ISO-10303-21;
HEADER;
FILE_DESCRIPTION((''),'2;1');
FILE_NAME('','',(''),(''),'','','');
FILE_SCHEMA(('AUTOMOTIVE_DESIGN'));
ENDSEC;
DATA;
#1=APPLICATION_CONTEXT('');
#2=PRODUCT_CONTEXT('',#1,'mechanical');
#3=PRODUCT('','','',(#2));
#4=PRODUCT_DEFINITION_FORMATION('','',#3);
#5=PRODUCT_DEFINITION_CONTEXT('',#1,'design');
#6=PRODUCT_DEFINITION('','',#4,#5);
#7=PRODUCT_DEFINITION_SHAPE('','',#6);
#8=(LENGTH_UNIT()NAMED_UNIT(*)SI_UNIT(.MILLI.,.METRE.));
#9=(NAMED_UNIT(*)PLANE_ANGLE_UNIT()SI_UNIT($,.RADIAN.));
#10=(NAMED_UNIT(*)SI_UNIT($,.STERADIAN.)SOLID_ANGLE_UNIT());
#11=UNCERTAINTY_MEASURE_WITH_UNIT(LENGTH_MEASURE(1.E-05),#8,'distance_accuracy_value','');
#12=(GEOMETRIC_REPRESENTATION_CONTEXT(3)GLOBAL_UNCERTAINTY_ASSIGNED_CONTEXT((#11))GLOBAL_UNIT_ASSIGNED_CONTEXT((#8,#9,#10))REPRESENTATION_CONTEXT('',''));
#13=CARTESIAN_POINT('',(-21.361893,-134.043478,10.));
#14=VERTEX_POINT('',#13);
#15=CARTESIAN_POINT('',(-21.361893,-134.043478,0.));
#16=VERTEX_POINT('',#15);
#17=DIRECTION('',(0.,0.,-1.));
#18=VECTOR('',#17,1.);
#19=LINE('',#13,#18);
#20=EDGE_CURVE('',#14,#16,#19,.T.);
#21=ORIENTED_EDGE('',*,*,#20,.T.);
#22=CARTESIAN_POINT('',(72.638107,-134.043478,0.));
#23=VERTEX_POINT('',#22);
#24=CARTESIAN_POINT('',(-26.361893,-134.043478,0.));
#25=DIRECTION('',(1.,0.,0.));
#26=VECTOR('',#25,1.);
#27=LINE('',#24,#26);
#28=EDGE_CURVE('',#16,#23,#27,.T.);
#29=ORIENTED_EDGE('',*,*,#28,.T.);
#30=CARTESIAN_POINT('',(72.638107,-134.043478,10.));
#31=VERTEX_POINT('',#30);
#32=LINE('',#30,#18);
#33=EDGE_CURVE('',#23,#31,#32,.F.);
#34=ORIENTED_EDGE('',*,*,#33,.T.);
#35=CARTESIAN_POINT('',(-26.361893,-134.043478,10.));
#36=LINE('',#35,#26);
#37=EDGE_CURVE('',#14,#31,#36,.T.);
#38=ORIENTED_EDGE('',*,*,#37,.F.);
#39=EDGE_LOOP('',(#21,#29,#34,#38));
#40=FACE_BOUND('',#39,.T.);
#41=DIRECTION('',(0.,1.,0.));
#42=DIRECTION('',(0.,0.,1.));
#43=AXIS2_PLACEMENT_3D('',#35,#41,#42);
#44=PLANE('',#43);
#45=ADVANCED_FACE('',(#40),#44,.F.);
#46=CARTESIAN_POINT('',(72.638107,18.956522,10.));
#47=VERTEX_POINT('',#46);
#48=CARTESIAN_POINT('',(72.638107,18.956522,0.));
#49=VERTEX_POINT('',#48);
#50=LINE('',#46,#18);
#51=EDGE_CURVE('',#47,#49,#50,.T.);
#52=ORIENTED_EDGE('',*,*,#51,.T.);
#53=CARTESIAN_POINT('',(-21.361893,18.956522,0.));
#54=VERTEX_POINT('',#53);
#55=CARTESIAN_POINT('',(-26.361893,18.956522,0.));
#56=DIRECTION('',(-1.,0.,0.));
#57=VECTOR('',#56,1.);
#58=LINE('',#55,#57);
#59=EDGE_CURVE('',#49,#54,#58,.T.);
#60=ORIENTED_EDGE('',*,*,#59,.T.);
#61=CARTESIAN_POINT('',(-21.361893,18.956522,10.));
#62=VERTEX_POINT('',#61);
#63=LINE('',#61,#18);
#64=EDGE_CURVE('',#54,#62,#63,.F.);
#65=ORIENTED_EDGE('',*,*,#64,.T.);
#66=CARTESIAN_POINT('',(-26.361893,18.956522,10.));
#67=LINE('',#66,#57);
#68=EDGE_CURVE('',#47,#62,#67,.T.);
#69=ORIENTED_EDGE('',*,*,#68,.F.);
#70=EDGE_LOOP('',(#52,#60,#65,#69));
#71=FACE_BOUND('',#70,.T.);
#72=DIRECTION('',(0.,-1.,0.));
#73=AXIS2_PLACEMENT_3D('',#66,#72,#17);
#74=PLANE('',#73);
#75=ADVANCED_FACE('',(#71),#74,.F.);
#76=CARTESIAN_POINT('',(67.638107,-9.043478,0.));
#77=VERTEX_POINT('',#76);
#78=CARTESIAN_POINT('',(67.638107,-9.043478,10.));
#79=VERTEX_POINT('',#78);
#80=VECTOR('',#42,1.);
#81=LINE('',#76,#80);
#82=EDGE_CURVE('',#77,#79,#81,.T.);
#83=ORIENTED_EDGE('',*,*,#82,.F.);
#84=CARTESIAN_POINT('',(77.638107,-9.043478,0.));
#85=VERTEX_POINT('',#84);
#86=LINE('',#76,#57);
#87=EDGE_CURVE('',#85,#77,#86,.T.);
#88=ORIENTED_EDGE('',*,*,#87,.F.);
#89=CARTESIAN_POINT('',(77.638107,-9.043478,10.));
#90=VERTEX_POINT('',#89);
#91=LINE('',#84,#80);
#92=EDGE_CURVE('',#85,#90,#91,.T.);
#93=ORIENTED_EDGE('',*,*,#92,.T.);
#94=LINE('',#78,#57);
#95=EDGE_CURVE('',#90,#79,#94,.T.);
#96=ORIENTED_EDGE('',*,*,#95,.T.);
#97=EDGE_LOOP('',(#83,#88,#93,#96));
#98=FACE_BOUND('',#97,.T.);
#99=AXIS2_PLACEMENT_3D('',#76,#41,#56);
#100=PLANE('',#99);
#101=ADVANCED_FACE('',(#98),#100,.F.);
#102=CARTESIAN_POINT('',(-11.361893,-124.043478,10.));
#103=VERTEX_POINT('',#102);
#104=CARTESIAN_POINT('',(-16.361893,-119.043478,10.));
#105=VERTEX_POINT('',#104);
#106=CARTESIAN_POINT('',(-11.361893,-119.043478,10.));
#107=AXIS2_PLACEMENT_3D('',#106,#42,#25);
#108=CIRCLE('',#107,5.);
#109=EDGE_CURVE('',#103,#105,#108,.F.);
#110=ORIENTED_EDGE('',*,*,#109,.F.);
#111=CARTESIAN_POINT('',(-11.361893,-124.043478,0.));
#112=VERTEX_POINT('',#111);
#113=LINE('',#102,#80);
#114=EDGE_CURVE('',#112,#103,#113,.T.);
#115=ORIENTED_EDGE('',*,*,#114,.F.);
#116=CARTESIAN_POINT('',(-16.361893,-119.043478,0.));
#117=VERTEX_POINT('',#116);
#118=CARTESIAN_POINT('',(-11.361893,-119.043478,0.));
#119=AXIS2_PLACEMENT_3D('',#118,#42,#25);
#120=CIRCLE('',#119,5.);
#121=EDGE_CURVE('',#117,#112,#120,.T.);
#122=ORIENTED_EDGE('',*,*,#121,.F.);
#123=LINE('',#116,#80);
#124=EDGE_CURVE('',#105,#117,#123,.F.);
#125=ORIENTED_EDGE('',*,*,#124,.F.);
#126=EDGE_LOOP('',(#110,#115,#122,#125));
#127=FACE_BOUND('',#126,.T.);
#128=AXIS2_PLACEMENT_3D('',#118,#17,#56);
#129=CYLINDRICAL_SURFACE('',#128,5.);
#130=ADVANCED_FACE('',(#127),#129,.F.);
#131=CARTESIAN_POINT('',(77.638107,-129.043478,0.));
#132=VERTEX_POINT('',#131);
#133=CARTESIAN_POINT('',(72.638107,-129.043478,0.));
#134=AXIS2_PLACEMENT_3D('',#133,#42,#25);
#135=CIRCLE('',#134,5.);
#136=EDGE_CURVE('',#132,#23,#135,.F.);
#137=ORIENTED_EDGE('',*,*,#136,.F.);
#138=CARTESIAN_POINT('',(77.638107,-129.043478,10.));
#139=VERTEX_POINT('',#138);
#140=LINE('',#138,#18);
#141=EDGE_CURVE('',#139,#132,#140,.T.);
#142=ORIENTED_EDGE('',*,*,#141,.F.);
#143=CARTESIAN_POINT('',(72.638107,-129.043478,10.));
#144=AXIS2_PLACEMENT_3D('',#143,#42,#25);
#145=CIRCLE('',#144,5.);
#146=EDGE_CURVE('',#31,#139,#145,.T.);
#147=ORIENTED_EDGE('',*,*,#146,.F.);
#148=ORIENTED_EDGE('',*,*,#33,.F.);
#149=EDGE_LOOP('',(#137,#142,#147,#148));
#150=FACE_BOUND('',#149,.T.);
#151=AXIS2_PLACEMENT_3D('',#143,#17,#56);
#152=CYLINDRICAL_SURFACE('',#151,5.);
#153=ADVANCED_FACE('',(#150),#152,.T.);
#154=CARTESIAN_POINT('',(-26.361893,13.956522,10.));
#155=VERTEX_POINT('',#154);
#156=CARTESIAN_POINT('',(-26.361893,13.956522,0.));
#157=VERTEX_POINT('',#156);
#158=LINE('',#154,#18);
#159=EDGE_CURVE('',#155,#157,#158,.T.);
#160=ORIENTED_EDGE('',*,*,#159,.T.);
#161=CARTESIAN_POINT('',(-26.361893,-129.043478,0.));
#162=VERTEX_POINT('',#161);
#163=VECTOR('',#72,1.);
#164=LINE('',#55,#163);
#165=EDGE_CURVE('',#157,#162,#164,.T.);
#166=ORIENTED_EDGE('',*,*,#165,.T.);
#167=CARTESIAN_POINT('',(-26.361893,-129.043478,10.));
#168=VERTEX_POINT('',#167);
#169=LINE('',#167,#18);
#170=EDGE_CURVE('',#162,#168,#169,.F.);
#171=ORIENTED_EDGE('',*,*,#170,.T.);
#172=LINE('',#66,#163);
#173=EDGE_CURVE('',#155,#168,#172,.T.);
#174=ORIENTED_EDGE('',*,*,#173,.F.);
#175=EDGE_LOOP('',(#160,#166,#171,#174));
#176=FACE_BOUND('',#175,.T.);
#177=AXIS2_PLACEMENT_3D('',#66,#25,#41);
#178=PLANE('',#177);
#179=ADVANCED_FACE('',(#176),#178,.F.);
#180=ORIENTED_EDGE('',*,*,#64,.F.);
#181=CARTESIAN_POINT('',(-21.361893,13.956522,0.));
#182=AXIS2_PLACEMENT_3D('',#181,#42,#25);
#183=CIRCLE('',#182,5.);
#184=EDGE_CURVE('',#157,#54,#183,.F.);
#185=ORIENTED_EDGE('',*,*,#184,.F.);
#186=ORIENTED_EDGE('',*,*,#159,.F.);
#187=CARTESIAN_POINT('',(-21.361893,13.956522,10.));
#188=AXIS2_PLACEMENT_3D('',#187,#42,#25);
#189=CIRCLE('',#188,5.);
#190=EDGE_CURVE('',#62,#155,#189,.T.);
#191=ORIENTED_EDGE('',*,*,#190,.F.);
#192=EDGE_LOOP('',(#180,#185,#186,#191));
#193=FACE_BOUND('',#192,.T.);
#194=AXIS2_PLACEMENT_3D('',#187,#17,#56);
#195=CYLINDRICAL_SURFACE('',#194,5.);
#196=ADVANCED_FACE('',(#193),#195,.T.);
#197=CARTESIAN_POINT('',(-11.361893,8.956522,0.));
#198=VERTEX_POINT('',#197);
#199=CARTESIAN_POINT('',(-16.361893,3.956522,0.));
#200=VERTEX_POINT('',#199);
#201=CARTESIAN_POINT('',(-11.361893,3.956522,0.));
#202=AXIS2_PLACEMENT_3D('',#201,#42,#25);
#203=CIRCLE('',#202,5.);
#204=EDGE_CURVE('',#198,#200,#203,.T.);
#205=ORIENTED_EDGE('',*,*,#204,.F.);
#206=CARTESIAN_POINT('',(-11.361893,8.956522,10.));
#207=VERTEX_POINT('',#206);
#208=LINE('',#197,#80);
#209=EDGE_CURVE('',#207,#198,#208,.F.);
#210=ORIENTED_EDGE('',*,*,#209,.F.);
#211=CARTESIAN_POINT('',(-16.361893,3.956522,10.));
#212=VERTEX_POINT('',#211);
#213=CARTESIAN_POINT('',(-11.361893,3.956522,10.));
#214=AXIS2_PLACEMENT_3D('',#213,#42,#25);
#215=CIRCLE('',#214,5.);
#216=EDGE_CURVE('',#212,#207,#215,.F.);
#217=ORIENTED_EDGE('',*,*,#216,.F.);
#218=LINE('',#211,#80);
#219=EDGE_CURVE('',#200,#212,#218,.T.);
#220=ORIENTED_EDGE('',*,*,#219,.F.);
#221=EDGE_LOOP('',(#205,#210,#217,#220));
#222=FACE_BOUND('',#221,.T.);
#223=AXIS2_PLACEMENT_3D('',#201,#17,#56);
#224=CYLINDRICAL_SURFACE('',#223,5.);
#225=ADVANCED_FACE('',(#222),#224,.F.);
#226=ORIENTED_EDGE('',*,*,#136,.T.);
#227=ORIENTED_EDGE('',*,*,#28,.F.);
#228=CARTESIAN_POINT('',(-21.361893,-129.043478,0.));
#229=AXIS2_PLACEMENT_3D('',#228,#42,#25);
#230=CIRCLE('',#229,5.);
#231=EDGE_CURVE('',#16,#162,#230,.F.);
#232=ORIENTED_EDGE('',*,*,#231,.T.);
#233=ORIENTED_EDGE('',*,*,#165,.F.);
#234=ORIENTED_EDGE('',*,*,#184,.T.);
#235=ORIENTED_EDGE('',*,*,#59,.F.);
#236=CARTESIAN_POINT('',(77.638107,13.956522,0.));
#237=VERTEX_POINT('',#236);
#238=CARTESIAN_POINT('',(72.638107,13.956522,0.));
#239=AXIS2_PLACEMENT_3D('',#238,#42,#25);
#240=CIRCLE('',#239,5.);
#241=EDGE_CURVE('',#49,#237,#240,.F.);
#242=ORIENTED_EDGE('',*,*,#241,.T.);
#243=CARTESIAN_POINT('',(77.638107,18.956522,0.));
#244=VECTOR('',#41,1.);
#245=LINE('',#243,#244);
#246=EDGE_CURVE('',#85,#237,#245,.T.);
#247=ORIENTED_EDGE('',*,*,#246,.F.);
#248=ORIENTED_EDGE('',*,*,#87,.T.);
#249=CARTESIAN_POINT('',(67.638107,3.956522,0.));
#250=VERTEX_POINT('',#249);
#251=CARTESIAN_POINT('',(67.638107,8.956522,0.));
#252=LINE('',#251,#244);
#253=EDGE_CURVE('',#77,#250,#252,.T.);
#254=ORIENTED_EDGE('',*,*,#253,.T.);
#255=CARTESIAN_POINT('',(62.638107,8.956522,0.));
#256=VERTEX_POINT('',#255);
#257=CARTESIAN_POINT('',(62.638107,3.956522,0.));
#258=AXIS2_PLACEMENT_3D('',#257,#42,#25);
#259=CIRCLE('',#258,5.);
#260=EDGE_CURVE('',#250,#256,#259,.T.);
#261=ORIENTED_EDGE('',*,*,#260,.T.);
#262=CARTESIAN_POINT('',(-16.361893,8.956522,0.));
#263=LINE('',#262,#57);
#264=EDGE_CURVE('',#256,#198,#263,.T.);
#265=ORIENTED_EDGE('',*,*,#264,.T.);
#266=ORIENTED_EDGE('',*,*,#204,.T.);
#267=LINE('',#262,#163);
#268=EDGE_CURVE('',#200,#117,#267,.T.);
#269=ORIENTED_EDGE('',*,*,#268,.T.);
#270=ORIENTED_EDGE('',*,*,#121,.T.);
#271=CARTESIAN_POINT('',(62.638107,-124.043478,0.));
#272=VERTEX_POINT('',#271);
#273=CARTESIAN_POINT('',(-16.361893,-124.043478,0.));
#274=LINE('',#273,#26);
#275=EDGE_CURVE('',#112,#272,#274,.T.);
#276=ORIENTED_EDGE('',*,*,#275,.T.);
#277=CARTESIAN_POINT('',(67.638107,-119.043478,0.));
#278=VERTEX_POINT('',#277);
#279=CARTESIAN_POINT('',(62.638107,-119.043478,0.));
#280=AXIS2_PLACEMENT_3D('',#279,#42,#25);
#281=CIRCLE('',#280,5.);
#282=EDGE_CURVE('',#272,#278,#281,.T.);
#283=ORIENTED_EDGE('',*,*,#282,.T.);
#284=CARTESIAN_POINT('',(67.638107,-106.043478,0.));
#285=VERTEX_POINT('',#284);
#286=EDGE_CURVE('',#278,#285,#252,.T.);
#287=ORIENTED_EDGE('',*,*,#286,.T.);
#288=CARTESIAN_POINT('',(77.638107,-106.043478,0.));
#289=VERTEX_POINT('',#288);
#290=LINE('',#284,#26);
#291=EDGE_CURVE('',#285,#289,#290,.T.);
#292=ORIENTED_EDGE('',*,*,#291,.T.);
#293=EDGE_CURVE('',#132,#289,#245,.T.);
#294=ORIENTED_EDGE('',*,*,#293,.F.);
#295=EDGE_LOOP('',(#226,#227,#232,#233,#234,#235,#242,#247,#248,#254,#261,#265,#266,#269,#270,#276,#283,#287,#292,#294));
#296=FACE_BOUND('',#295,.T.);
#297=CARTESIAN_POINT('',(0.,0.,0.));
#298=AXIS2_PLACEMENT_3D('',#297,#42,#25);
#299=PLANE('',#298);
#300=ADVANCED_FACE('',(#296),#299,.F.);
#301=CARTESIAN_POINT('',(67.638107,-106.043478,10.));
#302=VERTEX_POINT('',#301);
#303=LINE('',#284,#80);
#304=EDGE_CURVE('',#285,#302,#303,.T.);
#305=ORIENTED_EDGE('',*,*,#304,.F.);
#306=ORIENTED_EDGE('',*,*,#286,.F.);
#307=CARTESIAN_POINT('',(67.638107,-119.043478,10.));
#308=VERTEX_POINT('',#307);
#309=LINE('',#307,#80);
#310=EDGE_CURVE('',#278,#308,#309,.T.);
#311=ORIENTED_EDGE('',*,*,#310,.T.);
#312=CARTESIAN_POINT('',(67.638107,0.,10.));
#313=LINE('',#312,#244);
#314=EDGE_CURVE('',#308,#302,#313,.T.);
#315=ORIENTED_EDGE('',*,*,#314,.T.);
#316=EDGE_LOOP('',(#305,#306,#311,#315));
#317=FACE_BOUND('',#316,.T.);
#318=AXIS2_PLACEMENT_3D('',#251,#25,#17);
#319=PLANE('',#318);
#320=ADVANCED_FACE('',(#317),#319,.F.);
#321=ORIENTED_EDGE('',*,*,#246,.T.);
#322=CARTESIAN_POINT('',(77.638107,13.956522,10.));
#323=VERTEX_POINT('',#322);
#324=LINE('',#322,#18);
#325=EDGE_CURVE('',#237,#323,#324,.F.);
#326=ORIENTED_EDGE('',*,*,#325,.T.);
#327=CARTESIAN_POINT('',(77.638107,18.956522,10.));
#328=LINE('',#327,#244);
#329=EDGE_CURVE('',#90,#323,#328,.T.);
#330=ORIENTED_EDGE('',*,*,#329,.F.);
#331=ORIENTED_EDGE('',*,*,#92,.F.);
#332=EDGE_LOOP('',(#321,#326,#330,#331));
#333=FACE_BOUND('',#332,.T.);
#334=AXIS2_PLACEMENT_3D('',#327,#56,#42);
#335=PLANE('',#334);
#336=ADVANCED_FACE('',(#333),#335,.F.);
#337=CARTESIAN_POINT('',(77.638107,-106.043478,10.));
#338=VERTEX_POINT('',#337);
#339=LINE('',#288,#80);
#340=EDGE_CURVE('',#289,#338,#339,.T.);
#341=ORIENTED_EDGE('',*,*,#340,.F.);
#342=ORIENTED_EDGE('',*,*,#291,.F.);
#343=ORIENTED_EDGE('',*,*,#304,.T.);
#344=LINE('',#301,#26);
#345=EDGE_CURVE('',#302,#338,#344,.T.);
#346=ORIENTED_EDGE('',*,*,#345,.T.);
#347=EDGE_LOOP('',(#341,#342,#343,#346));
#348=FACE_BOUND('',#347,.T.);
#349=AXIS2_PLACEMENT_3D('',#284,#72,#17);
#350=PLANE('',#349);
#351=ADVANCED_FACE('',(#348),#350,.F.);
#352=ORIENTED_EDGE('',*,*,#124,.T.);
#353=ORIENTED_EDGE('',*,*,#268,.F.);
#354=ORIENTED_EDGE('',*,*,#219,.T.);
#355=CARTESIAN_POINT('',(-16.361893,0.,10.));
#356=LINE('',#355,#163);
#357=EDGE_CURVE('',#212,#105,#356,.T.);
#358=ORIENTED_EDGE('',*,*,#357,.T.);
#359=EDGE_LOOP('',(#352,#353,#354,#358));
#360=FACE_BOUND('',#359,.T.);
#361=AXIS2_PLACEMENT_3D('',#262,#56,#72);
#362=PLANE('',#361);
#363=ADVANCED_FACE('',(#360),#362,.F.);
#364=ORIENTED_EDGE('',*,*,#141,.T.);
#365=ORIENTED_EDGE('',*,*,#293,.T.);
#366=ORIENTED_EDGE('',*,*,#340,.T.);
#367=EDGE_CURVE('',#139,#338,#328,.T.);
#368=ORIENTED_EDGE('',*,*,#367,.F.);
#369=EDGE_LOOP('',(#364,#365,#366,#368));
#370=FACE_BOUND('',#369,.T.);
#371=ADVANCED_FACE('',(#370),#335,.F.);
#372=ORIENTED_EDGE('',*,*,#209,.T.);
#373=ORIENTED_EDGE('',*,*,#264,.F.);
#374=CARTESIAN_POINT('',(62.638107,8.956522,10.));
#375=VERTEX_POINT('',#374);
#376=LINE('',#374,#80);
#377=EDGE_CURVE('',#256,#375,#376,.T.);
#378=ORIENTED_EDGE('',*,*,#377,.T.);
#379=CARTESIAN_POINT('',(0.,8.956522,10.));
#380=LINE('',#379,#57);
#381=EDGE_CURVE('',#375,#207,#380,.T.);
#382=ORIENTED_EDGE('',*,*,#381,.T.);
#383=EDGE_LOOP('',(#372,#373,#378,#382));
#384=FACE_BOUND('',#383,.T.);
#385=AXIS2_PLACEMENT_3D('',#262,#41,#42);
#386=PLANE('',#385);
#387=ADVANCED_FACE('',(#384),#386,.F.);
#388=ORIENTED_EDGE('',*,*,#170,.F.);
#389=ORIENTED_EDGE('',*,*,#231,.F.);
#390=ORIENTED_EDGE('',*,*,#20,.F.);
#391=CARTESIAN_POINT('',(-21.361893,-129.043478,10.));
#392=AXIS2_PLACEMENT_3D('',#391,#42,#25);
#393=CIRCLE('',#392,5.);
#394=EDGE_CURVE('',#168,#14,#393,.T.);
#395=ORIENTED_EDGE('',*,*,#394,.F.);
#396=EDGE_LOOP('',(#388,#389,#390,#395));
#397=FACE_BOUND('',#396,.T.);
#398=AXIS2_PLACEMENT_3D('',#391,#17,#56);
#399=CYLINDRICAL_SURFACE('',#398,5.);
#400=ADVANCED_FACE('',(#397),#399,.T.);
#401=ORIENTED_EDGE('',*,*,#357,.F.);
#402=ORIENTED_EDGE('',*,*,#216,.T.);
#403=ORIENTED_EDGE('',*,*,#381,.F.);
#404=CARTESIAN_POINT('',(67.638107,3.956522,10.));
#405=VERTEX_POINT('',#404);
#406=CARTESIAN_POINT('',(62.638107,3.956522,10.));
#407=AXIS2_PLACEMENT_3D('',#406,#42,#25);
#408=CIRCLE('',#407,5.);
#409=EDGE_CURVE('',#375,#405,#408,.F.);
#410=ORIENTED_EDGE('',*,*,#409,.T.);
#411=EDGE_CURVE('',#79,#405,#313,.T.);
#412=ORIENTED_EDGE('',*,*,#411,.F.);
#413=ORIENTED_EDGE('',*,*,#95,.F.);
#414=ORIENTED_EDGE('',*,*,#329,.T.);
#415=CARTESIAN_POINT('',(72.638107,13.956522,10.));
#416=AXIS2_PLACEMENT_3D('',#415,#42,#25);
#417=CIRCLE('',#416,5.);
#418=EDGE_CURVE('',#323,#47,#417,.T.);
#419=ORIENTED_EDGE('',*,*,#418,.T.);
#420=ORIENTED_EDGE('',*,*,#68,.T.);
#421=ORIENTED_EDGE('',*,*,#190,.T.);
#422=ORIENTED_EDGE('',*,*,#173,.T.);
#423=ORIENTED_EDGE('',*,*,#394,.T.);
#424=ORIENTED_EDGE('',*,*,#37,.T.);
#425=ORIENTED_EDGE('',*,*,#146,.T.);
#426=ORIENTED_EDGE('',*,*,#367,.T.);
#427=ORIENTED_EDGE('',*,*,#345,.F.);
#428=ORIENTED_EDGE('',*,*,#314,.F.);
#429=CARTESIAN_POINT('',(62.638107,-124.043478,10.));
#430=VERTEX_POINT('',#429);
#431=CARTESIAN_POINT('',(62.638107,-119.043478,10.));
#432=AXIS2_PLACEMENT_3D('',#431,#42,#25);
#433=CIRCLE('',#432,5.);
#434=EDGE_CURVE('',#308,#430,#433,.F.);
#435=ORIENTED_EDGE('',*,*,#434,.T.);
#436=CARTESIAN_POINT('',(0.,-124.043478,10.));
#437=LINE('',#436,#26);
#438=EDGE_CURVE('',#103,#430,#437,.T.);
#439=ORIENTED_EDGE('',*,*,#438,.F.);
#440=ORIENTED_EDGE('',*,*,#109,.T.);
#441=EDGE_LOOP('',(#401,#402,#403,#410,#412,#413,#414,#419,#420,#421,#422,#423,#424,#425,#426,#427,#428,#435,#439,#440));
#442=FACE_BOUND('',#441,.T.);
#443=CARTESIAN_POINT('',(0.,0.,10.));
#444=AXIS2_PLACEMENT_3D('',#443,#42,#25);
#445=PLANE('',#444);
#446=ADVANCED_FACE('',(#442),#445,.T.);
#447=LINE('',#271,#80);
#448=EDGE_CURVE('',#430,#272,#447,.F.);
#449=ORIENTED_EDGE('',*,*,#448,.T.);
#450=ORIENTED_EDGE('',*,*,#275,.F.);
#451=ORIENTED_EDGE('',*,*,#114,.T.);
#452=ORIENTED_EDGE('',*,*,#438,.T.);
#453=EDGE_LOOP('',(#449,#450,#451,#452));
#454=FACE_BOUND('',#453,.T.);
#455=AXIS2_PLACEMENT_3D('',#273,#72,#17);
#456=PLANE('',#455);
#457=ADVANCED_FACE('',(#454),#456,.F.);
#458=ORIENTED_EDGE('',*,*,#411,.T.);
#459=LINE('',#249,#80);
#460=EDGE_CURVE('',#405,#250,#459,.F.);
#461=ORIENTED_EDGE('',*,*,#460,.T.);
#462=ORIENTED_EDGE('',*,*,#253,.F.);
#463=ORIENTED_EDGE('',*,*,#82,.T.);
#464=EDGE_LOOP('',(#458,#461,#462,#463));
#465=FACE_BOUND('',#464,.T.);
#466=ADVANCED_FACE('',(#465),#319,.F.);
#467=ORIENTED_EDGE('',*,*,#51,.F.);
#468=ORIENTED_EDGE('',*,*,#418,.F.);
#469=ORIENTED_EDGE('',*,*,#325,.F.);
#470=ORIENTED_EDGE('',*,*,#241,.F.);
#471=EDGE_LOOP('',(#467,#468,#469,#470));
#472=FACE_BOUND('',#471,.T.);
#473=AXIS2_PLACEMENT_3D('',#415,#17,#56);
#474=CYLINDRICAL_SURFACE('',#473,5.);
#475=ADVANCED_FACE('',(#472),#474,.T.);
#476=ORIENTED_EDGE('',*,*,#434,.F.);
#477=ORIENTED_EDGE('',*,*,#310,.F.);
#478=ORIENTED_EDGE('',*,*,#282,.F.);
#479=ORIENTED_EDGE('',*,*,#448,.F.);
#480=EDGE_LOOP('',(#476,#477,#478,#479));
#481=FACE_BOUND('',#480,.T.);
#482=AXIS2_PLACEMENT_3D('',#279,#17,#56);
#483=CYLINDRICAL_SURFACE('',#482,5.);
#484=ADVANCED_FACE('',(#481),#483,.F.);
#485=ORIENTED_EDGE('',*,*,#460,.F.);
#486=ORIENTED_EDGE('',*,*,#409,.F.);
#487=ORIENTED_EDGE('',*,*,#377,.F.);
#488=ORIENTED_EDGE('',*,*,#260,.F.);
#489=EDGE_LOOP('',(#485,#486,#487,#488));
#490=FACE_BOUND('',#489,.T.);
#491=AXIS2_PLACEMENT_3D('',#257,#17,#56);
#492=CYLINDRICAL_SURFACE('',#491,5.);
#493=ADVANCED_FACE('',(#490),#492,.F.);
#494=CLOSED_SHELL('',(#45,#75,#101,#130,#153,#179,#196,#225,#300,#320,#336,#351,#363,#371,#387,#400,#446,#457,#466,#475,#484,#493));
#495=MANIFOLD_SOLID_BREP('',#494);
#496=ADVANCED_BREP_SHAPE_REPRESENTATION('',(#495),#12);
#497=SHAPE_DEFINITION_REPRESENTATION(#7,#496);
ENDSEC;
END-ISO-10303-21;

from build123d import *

# Parameters (mm, degrees)
SKETCH1_W               = 104
SKETCH1_H               = 153
BOSS_EXTRUDE1_DEPTH     = 10
CUT_EXTRUDE1_DEPTH      = 156.226704492
CUT_EXTRUDE1_DEPTH_BACK = 156.226704492
SKETCH2_W               = 84
SKETCH2_H               = 133
CUT_EXTRUDE3_DEPTH      = 156.226704492
CUT_EXTRUDE3_DEPTH_BACK = 156.226704492
SKETCH3_W               = 10
SKETCH3_H               = 97
FILLET9_R               = 5
FILLET10_R              = 5
FILLET11_R              = 5
FILLET12_R              = 5


with BuildPart() as part:
    # Sketch1 → Boss-Extrude1 (new body)
    with BuildSketch(Plane.XY):
        with Locations((25.638107417, -57.543478261)):
            Rectangle(SKETCH1_W, SKETCH1_H)
    extrude(amount=BOSS_EXTRUDE1_DEPTH)

    # Sketch2 → Cut-Extrude1 (cut, two sides: drawn at the far end of the back side and taken through both)
    with BuildSketch(Plane.XY.offset(10).offset(-CUT_EXTRUDE1_DEPTH_BACK)):
        with Locations((25.638107417, -57.543478261)):
            Rectangle(SKETCH2_W, SKETCH2_H)
    extrude(amount=CUT_EXTRUDE1_DEPTH + CUT_EXTRUDE1_DEPTH_BACK, mode=Mode.SUBTRACT)

    # Sketch3 → Cut-Extrude3 (cut, two sides: drawn at the far end of the back side and taken through both)
    with BuildSketch(Plane.XY.offset(10).offset(-CUT_EXTRUDE3_DEPTH_BACK)):
        with Locations((72.638107417, -57.543478261)):
            Rectangle(SKETCH3_W, SKETCH3_H)
    extrude(amount=CUT_EXTRUDE3_DEPTH + CUT_EXTRUDE3_DEPTH_BACK, mode=Mode.SUBTRACT)

    # Fillet9
    fillet9_edges = [part.edges().sort_by_distance(p)[0] for p in [
        (-16.361892583, 8.956521739, 5),
    ]]
    fillet(fillet9_edges, radius=FILLET9_R)

    # Fillet10
    fillet10_edges = [part.edges().sort_by_distance(p)[0] for p in [
        (67.638107417, 8.956521739, 5),
        (-26.361892583, 18.956521739, 5),
    ]]
    fillet(fillet10_edges, radius=FILLET10_R)

    # Fillet11
    fillet11_edges = [part.edges().sort_by_distance(p)[0] for p in [
        (67.638107417, -124.043478261, 5),
        (77.638107417, 18.956521739, 5),
        (-26.361892583, -134.043478261, 5),
    ]]
    fillet(fillet11_edges, radius=FILLET11_R)

    # Fillet12
    fillet12_edges = [part.edges().sort_by_distance(p)[0] for p in [
        (-16.361892583, -124.043478261, 5),
        (77.638107417, -134.043478261, 5),
    ]]
    fillet(fillet12_edges, radius=FILLET12_R)


solid = part.part
